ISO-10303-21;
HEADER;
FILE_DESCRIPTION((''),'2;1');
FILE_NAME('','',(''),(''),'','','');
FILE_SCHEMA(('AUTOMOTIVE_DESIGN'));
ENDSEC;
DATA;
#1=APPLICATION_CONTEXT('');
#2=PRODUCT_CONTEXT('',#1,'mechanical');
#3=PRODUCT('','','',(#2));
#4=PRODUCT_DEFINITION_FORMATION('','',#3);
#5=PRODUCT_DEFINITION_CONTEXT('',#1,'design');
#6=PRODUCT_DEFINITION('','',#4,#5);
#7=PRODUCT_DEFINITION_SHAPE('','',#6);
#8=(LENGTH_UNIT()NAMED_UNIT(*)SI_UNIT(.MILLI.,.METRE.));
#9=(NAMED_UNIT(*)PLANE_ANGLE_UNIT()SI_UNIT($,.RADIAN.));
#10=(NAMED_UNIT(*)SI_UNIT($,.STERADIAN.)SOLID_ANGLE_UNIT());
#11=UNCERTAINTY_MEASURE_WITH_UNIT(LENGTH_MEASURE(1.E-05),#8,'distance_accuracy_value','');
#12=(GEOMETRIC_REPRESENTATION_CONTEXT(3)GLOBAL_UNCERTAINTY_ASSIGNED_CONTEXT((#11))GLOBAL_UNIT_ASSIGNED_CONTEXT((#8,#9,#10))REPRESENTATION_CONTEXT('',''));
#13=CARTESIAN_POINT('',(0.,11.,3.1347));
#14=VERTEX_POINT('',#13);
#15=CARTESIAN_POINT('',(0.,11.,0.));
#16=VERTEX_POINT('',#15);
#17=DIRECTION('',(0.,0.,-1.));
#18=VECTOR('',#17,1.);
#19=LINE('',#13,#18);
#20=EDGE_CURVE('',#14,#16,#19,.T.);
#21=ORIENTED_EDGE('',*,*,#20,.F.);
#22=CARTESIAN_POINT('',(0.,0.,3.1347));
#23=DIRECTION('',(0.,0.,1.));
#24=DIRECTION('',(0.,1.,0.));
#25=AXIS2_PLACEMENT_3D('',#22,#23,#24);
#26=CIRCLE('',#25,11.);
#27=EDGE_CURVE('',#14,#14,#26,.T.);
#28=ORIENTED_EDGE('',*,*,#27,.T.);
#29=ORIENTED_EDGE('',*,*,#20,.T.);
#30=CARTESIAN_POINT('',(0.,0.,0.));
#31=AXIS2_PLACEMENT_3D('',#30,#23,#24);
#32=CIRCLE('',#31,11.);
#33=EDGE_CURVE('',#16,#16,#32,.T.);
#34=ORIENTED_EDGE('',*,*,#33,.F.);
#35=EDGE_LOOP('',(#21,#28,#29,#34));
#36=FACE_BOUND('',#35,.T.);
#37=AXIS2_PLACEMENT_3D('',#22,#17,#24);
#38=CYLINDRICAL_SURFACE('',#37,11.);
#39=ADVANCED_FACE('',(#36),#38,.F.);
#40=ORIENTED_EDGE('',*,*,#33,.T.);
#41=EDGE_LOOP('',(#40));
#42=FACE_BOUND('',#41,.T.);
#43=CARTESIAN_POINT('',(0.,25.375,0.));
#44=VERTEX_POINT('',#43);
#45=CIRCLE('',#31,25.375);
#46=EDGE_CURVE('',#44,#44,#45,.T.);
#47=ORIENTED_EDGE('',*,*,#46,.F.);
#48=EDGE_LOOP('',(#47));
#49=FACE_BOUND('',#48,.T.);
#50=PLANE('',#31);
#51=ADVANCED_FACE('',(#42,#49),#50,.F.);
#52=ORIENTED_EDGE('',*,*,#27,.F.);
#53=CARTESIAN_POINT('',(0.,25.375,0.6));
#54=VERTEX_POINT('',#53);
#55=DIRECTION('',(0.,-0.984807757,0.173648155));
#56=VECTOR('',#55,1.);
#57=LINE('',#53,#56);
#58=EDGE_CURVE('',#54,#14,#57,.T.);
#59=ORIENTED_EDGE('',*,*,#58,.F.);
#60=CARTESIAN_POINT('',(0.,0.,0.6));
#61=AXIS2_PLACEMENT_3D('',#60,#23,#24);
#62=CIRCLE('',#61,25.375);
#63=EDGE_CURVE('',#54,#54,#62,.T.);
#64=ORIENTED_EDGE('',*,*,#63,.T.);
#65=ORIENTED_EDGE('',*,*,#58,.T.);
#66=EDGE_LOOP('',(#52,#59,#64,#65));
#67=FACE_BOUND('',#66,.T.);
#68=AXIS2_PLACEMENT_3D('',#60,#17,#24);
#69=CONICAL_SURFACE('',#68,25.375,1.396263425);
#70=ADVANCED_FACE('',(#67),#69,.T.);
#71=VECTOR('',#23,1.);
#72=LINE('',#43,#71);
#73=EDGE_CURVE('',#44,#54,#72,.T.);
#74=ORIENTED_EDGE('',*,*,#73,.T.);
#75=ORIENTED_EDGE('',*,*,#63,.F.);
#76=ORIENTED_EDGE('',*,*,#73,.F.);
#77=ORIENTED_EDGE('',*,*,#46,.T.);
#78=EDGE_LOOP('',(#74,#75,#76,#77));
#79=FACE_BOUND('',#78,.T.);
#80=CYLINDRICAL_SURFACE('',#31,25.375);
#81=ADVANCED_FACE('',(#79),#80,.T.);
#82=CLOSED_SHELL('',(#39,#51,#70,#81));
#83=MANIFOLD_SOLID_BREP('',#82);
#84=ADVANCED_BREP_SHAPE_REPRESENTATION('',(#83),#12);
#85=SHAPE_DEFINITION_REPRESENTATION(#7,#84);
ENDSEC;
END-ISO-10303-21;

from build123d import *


with BuildPart() as f1:
    # F0 (on Right) → F1 (revolve)
    with BuildSketch(Plane.YZ):
        Polygon((11, 0), (25.375, 0), (25.375, 0.6), (11, 3.1347), align=None)
    revolve(axis=Axis((0, 0, 4.121042), (0, 0, 1)))


solid = f1.part
